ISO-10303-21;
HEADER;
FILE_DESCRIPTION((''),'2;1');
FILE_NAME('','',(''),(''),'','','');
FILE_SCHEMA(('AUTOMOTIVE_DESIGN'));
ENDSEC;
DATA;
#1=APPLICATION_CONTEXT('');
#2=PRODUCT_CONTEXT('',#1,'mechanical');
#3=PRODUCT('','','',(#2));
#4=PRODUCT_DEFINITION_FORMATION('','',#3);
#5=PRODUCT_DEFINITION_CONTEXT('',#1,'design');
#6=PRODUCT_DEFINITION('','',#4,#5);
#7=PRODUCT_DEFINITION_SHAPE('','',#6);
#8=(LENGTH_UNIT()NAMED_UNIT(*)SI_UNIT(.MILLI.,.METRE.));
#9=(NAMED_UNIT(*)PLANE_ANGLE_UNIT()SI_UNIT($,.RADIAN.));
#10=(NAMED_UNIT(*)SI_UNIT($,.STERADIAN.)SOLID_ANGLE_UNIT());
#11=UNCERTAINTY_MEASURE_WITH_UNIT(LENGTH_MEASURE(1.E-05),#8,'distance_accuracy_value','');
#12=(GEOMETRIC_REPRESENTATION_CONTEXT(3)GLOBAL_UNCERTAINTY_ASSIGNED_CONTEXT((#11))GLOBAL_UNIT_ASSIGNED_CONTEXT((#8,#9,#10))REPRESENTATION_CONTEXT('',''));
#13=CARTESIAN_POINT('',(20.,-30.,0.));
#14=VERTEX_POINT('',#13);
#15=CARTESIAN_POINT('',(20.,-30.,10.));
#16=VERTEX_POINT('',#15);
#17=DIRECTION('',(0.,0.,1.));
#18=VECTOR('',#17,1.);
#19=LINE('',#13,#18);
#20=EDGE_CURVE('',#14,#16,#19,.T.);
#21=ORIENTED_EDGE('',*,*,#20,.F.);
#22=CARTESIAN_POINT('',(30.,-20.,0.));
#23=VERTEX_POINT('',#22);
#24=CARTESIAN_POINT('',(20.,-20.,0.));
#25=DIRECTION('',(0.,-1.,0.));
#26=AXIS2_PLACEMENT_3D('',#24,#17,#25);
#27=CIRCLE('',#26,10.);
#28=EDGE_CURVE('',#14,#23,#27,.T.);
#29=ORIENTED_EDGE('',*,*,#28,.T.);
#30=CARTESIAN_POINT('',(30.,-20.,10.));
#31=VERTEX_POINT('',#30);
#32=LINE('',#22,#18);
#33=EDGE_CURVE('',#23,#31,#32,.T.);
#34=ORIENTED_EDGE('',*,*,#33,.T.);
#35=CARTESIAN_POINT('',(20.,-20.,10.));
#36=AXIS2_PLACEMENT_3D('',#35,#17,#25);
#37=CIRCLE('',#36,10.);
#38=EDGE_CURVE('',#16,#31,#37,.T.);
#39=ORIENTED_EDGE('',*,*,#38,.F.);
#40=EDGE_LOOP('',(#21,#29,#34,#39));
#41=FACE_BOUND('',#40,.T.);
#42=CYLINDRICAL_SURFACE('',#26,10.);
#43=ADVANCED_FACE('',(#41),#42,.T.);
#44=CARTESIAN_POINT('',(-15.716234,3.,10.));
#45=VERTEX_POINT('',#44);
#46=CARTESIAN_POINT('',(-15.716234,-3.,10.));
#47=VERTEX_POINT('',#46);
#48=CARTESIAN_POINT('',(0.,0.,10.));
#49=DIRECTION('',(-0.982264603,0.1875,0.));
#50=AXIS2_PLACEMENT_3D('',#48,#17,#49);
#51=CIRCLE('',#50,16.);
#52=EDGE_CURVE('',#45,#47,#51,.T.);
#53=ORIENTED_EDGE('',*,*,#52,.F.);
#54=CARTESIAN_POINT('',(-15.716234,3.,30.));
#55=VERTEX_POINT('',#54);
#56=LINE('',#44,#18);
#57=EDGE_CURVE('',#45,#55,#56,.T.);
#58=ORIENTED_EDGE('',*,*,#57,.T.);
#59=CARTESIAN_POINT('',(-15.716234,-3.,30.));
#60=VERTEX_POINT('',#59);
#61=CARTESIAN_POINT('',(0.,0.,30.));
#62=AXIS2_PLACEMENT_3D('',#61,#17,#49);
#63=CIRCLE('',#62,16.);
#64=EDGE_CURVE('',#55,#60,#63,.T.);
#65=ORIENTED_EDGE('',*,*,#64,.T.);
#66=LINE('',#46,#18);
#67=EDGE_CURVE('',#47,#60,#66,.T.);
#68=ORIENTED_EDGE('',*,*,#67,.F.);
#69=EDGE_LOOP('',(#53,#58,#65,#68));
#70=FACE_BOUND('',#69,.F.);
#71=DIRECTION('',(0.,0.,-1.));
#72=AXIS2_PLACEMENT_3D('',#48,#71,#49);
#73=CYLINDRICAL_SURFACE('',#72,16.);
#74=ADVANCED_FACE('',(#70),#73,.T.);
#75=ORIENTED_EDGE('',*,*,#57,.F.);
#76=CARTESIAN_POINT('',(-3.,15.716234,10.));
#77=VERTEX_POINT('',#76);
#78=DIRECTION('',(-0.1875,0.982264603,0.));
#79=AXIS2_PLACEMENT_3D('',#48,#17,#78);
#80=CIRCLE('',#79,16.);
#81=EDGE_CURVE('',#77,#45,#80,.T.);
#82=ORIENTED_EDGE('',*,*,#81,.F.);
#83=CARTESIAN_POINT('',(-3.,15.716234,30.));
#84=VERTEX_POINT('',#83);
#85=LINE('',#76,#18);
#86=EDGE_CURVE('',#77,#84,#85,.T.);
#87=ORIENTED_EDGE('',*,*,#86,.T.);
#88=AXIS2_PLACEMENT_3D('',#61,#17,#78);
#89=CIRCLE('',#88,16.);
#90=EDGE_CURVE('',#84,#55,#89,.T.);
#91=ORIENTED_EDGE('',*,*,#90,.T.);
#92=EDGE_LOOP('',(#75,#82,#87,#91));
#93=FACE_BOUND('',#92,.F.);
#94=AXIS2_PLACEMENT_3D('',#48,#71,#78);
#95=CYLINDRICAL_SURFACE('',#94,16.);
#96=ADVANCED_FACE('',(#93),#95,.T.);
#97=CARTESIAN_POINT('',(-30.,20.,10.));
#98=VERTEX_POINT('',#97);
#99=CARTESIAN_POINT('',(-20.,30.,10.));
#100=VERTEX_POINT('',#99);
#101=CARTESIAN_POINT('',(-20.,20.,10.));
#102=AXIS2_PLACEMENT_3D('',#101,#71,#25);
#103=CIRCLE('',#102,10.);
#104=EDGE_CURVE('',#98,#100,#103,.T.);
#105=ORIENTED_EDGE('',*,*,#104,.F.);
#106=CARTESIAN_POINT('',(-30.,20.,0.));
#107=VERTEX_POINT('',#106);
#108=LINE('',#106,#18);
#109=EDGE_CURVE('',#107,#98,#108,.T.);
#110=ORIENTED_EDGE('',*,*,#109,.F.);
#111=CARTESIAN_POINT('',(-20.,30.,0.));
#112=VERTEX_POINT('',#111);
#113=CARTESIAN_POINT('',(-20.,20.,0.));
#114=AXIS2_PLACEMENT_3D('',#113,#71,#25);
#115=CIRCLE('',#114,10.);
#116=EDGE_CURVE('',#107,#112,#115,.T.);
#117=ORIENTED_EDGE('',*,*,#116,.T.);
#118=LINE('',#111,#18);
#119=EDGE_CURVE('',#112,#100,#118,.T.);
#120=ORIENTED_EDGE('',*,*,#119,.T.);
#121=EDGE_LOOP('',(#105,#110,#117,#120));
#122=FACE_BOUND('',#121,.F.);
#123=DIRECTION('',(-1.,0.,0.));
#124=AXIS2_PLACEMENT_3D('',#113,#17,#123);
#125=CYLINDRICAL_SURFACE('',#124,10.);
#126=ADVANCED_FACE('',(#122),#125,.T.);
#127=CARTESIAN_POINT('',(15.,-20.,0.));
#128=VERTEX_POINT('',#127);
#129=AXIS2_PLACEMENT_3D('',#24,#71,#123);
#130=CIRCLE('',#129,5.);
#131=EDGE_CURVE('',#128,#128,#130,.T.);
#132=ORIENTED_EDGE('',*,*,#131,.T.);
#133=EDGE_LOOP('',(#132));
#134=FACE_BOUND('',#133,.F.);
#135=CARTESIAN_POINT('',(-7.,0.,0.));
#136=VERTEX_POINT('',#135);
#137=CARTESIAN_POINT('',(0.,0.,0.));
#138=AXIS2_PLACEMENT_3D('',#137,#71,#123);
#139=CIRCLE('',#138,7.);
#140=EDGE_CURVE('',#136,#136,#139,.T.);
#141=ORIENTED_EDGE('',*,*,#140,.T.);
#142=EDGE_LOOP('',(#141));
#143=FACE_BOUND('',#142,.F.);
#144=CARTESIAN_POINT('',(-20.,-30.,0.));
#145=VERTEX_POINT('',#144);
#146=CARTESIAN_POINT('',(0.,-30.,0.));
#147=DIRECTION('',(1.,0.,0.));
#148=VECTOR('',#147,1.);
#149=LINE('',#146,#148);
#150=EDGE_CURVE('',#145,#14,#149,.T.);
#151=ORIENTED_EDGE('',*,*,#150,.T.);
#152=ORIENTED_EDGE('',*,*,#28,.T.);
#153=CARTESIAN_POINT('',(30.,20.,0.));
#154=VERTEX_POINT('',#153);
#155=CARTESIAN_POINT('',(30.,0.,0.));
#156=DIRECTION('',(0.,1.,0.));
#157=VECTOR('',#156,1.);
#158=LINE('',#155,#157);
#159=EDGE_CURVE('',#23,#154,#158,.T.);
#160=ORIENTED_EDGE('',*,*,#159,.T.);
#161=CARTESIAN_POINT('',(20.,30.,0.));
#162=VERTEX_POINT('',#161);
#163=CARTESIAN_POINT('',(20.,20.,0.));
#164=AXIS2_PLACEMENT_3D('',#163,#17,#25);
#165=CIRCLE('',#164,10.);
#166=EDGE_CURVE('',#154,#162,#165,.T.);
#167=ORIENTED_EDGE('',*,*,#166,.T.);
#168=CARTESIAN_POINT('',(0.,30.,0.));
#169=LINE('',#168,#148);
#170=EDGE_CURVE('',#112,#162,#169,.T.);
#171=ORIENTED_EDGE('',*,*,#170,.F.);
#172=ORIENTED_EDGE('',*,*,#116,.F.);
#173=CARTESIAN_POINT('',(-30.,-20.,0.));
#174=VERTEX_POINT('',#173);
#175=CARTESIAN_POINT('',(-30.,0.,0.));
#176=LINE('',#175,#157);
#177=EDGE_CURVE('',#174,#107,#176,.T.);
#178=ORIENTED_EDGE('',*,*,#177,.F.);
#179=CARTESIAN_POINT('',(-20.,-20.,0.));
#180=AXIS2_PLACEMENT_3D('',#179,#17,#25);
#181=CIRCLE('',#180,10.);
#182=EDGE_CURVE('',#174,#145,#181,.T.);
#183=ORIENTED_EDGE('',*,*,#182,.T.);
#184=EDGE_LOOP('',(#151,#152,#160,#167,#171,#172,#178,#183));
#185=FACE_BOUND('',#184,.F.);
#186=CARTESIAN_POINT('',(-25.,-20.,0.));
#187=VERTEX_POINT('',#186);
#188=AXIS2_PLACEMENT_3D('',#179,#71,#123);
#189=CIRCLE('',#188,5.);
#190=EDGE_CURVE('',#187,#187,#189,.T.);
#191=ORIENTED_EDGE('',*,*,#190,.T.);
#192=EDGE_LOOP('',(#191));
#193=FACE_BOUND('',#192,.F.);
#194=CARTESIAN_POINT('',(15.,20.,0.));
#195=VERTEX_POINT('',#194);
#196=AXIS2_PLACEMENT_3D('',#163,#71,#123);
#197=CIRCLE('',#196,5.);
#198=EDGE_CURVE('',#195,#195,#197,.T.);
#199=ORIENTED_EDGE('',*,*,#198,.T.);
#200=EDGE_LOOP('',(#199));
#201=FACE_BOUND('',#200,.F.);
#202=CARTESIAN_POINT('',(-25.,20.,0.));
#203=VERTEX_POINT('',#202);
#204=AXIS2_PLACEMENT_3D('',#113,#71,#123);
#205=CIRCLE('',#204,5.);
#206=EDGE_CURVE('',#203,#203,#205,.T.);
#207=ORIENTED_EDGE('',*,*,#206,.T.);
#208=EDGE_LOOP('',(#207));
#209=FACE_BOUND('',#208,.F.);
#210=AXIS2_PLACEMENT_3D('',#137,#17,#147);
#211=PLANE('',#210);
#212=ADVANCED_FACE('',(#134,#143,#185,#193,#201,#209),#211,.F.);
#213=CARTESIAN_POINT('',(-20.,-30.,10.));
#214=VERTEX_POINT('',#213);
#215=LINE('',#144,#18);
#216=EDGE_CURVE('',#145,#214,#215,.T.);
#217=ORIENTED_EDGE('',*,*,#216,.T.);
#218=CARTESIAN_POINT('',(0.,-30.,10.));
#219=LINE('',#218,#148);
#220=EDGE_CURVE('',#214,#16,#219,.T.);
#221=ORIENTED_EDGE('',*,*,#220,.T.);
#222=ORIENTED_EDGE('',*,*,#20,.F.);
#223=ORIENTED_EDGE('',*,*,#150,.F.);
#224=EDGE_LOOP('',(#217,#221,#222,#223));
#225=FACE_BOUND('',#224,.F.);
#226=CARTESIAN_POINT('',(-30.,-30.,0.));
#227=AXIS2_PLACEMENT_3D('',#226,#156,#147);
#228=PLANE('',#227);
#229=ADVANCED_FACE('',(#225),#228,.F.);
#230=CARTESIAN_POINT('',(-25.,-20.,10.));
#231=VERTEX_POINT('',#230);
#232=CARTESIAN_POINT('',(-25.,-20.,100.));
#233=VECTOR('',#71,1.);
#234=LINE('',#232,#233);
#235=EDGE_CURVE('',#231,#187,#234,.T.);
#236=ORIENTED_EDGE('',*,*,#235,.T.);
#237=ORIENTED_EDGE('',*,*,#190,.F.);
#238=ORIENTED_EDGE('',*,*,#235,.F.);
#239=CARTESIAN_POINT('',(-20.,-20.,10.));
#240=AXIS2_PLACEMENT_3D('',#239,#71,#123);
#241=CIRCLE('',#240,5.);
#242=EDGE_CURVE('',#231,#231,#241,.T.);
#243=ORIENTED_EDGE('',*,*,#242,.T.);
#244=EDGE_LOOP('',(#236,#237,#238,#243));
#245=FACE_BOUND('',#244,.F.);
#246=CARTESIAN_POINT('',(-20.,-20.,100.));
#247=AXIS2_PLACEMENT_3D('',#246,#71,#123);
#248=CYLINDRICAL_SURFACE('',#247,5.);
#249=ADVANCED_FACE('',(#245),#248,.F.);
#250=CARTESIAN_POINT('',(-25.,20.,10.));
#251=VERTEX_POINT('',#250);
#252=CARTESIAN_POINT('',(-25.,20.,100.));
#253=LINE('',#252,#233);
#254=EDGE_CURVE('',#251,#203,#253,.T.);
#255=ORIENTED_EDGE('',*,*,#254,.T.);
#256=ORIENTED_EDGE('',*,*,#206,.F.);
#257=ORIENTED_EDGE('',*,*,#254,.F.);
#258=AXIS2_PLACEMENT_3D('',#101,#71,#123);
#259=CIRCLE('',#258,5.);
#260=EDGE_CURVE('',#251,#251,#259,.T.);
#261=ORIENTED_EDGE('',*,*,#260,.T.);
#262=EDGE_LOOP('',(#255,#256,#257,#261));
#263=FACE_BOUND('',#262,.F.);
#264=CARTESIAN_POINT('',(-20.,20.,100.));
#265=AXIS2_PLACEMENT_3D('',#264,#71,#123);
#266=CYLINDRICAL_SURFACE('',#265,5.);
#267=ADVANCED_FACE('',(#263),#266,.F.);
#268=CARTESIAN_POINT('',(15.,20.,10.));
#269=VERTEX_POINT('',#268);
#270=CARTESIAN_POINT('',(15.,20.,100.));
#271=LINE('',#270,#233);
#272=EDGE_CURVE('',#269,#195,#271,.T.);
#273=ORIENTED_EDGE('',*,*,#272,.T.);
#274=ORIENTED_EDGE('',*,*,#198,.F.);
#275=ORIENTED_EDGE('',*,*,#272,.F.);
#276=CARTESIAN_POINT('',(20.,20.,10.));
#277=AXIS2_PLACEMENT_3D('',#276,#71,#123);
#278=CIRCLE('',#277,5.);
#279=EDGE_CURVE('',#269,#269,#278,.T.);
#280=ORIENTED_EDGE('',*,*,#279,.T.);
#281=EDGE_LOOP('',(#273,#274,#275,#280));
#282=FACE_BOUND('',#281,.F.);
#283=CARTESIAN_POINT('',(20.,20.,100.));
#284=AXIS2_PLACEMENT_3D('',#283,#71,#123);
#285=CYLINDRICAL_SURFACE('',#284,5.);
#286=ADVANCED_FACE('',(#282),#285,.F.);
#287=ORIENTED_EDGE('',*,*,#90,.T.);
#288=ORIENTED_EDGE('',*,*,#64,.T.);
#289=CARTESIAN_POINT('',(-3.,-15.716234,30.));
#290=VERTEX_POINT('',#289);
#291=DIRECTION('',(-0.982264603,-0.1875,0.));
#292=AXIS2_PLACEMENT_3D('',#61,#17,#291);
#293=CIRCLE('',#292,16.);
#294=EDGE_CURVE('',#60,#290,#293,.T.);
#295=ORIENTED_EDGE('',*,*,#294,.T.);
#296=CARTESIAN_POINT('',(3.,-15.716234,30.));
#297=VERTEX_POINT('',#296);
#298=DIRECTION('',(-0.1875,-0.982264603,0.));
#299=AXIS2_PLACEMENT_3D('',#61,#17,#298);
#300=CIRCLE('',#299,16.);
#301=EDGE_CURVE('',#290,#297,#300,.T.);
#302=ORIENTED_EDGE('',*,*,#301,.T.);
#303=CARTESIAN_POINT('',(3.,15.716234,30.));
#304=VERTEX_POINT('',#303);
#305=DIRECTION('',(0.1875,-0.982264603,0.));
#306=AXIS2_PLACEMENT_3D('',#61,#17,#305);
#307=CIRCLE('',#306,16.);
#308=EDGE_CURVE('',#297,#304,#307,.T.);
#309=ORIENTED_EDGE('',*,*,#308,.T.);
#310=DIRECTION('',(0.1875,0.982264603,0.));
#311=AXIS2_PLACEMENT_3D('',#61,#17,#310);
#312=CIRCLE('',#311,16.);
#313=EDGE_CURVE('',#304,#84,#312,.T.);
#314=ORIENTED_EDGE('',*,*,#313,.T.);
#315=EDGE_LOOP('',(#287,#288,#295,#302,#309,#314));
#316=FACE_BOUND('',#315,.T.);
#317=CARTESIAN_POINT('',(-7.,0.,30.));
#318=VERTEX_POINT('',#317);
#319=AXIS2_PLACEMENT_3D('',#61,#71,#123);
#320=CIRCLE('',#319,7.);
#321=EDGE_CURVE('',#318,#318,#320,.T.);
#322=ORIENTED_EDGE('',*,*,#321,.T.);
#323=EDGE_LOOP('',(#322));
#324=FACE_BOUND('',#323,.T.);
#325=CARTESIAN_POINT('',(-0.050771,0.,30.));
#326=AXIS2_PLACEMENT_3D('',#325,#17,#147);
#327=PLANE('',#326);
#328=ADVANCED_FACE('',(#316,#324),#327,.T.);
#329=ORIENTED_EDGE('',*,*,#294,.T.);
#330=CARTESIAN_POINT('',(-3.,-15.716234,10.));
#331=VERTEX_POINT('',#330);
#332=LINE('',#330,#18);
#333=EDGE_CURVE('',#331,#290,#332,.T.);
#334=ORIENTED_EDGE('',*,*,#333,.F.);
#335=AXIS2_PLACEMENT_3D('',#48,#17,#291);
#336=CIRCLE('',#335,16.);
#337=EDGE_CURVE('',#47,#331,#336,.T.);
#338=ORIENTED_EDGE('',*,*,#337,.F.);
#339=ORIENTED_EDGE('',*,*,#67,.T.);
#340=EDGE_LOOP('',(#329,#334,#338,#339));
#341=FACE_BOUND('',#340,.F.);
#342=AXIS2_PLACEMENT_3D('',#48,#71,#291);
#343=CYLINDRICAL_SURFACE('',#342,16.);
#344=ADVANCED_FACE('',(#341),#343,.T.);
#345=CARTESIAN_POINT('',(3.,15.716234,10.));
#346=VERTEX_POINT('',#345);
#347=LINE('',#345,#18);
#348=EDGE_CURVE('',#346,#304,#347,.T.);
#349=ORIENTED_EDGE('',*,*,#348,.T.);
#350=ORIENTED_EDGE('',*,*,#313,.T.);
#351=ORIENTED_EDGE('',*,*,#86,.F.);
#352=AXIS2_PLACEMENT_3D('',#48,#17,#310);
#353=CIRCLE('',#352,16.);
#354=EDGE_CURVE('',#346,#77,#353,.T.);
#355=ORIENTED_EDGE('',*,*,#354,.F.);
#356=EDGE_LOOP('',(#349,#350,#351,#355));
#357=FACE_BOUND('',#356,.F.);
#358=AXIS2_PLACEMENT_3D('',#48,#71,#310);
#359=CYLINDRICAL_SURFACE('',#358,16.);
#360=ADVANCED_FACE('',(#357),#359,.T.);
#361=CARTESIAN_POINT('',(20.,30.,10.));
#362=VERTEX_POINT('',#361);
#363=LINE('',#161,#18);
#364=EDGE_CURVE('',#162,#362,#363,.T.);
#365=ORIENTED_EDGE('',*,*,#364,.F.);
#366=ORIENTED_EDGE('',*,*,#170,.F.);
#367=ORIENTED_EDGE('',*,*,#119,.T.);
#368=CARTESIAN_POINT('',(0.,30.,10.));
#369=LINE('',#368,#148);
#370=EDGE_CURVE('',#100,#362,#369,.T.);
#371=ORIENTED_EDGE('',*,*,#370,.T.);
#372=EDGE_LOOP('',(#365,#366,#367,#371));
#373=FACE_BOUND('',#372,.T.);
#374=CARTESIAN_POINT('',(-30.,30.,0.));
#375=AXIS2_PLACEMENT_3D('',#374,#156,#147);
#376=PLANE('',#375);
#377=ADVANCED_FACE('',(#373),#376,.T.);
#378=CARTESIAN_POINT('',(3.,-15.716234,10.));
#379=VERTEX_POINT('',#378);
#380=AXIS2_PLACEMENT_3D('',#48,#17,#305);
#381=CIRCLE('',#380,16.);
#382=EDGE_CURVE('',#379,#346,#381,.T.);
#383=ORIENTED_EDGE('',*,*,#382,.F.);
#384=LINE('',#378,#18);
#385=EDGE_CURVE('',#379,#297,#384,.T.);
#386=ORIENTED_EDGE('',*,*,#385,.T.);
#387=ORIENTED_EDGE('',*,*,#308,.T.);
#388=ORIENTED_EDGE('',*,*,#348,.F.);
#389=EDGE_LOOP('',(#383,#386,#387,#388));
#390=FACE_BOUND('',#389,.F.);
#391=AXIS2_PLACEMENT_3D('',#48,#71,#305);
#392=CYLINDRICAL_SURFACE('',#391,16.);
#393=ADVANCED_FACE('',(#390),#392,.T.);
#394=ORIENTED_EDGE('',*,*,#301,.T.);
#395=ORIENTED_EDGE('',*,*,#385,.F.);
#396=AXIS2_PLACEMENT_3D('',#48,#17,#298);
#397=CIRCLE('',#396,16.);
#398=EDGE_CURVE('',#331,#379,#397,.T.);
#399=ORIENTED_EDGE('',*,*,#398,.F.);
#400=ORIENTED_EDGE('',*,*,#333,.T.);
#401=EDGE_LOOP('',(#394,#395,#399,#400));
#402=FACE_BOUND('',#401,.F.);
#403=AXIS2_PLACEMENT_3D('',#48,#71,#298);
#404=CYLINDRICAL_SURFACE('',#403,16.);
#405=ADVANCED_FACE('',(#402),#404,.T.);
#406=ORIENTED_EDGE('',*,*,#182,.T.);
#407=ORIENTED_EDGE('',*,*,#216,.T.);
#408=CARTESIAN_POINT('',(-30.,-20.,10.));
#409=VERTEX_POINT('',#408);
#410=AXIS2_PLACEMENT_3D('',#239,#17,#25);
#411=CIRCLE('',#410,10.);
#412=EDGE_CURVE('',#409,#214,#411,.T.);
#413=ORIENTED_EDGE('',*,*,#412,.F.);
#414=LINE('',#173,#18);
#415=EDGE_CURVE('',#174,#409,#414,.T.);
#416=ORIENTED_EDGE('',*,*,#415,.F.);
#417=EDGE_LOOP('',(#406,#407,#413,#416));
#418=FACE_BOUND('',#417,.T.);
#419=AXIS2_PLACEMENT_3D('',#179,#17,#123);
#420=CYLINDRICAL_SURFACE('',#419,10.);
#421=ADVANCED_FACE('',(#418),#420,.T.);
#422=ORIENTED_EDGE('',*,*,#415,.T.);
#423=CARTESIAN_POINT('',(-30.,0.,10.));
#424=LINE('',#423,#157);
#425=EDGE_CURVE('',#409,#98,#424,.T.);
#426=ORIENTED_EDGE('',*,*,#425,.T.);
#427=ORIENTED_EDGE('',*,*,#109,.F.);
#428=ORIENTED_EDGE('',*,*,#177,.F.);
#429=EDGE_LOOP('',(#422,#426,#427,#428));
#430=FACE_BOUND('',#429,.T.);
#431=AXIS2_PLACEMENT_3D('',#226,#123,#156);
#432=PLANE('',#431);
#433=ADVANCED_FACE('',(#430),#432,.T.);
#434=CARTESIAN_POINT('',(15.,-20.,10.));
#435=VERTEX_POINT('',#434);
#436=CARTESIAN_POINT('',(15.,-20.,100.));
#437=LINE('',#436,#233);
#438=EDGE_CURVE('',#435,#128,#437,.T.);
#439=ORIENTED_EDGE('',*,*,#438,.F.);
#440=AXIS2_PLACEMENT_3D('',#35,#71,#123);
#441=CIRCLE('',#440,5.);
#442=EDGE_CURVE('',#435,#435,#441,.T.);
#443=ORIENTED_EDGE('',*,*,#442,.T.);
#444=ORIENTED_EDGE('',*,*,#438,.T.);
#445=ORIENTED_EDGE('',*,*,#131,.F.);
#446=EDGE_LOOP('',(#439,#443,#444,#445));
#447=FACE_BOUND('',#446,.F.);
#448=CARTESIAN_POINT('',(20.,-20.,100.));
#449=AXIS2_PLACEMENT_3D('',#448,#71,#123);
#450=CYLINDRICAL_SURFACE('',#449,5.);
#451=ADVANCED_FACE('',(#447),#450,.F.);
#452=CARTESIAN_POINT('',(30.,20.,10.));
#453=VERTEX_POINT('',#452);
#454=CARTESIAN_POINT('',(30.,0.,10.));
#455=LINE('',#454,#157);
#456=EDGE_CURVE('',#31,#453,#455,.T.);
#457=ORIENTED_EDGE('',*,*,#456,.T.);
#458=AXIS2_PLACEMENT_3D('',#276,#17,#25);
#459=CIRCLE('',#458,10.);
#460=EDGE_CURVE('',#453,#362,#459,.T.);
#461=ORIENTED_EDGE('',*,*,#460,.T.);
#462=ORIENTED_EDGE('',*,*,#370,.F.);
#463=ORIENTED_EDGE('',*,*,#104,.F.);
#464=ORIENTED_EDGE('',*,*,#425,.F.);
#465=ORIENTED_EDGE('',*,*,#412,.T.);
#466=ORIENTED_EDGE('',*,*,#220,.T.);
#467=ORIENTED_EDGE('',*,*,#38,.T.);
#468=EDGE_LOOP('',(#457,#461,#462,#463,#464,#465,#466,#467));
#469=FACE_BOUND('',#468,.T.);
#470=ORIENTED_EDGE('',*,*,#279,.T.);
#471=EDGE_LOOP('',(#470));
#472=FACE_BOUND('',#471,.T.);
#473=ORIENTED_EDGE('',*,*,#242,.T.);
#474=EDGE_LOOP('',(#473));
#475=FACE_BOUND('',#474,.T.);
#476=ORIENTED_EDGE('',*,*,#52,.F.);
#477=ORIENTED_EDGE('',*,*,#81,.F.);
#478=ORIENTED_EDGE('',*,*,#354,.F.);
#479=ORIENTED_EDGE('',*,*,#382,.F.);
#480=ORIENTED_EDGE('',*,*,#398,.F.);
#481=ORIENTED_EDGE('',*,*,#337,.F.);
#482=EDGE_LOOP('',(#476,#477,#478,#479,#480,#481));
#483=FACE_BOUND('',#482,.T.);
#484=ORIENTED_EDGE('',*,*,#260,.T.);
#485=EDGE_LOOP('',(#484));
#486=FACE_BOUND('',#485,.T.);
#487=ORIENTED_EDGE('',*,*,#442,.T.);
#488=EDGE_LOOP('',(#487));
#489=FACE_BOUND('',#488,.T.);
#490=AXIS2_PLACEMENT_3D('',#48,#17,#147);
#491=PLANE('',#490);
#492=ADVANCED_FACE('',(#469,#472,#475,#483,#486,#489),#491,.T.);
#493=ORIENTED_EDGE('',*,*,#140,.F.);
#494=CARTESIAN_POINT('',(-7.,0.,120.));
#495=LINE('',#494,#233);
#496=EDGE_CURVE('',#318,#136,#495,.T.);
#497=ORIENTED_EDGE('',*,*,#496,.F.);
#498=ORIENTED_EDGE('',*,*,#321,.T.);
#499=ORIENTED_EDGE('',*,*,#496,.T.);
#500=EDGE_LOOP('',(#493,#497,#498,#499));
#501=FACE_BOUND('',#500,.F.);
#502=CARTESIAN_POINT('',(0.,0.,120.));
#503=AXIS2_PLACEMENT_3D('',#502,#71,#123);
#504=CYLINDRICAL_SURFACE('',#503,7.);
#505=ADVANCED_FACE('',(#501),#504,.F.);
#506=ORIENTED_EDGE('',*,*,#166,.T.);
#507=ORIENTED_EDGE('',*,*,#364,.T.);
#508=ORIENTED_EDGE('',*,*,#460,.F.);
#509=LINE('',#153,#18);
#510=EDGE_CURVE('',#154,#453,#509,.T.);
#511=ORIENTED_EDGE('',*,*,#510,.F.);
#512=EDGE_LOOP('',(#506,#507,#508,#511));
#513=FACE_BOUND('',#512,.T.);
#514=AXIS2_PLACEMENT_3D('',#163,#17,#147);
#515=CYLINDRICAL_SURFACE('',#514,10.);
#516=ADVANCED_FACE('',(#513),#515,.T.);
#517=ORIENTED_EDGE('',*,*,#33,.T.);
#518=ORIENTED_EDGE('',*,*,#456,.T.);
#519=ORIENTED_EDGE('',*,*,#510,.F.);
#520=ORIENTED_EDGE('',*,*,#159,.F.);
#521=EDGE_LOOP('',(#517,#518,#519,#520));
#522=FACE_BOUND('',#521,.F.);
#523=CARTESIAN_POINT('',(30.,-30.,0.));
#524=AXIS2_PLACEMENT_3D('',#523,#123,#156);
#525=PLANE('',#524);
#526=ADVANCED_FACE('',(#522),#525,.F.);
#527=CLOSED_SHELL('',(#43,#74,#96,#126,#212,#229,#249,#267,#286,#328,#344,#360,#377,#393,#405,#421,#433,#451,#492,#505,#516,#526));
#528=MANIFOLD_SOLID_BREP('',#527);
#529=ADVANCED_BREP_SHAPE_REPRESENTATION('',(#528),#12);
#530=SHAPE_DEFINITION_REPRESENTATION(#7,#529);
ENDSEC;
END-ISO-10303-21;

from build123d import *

# Parameters (mm, degrees)
F0_W     = 60
F0_H     = 60
F1_DEPTH = 10
F2_R     = 10
F4_DEPTH = 20
F6_D     = 14
F7_D     = 10


with BuildPart() as f1:
    # F0 (on Top) → F1 (new body)
    with BuildSketch(Plane.XY):
        Rectangle(F0_W, F0_H)
    extrude(amount=F1_DEPTH)

    # F2
    f2_edges = [f1.edges().sort_by_distance(p)[0] for p in [
        (-30, 30, 5),
        (-30, -30, 5),
        (30, -30, 5),
        (30, 30, 5),
    ]]
    fillet(f2_edges, radius=F2_R)

    # F3 (on face) → F4 (join)
    with BuildSketch(Plane.XY.offset(10)):
        with BuildLine():
            ThreePointArc((15.7162336455, -3), (15.928900438, -1.5066953362), (16, 0))
            ThreePointArc((16, 0), (15.928900438, 1.5066953362), (15.7162336455, 3))
            ThreePointArc((15.7162336455, 3), (11.313708499, 11.313708499), (3, 15.7162336455))
            ThreePointArc((3, 15.7162336455), (0, 16), (-3, 15.7162336455))
            ThreePointArc((-3, 15.7162336455), (-11.313708499, 11.313708499), (-15.7162336455, 3))
            ThreePointArc((-15.7162336455, 3), (-16, 0), (-15.7162336455, -3))
            ThreePointArc((-15.7162336455, -3), (-11.313708499, -11.313708499), (-3, -15.7162336455))
            ThreePointArc((-3, -15.7162336455), (0, -16), (3, -15.7162336455))
            ThreePointArc((3, -15.7162336455), (11.313708499, -11.313708499), (15.7162336455, -3))
        make_face()
    extrude(amount=F4_DEPTH)

    # F6 (through all)
    with Locations(Plane.XY.offset(30)):
        with Locations((0, 0)):
            Hole(F6_D / 2)

    # F7 (through all)
    with Locations(Plane.XY.offset(10)):
        with Locations((-20, 20), (-20, -20), (20, -20), (20, 20)):
            Hole(F7_D / 2)


solid = f1.part
